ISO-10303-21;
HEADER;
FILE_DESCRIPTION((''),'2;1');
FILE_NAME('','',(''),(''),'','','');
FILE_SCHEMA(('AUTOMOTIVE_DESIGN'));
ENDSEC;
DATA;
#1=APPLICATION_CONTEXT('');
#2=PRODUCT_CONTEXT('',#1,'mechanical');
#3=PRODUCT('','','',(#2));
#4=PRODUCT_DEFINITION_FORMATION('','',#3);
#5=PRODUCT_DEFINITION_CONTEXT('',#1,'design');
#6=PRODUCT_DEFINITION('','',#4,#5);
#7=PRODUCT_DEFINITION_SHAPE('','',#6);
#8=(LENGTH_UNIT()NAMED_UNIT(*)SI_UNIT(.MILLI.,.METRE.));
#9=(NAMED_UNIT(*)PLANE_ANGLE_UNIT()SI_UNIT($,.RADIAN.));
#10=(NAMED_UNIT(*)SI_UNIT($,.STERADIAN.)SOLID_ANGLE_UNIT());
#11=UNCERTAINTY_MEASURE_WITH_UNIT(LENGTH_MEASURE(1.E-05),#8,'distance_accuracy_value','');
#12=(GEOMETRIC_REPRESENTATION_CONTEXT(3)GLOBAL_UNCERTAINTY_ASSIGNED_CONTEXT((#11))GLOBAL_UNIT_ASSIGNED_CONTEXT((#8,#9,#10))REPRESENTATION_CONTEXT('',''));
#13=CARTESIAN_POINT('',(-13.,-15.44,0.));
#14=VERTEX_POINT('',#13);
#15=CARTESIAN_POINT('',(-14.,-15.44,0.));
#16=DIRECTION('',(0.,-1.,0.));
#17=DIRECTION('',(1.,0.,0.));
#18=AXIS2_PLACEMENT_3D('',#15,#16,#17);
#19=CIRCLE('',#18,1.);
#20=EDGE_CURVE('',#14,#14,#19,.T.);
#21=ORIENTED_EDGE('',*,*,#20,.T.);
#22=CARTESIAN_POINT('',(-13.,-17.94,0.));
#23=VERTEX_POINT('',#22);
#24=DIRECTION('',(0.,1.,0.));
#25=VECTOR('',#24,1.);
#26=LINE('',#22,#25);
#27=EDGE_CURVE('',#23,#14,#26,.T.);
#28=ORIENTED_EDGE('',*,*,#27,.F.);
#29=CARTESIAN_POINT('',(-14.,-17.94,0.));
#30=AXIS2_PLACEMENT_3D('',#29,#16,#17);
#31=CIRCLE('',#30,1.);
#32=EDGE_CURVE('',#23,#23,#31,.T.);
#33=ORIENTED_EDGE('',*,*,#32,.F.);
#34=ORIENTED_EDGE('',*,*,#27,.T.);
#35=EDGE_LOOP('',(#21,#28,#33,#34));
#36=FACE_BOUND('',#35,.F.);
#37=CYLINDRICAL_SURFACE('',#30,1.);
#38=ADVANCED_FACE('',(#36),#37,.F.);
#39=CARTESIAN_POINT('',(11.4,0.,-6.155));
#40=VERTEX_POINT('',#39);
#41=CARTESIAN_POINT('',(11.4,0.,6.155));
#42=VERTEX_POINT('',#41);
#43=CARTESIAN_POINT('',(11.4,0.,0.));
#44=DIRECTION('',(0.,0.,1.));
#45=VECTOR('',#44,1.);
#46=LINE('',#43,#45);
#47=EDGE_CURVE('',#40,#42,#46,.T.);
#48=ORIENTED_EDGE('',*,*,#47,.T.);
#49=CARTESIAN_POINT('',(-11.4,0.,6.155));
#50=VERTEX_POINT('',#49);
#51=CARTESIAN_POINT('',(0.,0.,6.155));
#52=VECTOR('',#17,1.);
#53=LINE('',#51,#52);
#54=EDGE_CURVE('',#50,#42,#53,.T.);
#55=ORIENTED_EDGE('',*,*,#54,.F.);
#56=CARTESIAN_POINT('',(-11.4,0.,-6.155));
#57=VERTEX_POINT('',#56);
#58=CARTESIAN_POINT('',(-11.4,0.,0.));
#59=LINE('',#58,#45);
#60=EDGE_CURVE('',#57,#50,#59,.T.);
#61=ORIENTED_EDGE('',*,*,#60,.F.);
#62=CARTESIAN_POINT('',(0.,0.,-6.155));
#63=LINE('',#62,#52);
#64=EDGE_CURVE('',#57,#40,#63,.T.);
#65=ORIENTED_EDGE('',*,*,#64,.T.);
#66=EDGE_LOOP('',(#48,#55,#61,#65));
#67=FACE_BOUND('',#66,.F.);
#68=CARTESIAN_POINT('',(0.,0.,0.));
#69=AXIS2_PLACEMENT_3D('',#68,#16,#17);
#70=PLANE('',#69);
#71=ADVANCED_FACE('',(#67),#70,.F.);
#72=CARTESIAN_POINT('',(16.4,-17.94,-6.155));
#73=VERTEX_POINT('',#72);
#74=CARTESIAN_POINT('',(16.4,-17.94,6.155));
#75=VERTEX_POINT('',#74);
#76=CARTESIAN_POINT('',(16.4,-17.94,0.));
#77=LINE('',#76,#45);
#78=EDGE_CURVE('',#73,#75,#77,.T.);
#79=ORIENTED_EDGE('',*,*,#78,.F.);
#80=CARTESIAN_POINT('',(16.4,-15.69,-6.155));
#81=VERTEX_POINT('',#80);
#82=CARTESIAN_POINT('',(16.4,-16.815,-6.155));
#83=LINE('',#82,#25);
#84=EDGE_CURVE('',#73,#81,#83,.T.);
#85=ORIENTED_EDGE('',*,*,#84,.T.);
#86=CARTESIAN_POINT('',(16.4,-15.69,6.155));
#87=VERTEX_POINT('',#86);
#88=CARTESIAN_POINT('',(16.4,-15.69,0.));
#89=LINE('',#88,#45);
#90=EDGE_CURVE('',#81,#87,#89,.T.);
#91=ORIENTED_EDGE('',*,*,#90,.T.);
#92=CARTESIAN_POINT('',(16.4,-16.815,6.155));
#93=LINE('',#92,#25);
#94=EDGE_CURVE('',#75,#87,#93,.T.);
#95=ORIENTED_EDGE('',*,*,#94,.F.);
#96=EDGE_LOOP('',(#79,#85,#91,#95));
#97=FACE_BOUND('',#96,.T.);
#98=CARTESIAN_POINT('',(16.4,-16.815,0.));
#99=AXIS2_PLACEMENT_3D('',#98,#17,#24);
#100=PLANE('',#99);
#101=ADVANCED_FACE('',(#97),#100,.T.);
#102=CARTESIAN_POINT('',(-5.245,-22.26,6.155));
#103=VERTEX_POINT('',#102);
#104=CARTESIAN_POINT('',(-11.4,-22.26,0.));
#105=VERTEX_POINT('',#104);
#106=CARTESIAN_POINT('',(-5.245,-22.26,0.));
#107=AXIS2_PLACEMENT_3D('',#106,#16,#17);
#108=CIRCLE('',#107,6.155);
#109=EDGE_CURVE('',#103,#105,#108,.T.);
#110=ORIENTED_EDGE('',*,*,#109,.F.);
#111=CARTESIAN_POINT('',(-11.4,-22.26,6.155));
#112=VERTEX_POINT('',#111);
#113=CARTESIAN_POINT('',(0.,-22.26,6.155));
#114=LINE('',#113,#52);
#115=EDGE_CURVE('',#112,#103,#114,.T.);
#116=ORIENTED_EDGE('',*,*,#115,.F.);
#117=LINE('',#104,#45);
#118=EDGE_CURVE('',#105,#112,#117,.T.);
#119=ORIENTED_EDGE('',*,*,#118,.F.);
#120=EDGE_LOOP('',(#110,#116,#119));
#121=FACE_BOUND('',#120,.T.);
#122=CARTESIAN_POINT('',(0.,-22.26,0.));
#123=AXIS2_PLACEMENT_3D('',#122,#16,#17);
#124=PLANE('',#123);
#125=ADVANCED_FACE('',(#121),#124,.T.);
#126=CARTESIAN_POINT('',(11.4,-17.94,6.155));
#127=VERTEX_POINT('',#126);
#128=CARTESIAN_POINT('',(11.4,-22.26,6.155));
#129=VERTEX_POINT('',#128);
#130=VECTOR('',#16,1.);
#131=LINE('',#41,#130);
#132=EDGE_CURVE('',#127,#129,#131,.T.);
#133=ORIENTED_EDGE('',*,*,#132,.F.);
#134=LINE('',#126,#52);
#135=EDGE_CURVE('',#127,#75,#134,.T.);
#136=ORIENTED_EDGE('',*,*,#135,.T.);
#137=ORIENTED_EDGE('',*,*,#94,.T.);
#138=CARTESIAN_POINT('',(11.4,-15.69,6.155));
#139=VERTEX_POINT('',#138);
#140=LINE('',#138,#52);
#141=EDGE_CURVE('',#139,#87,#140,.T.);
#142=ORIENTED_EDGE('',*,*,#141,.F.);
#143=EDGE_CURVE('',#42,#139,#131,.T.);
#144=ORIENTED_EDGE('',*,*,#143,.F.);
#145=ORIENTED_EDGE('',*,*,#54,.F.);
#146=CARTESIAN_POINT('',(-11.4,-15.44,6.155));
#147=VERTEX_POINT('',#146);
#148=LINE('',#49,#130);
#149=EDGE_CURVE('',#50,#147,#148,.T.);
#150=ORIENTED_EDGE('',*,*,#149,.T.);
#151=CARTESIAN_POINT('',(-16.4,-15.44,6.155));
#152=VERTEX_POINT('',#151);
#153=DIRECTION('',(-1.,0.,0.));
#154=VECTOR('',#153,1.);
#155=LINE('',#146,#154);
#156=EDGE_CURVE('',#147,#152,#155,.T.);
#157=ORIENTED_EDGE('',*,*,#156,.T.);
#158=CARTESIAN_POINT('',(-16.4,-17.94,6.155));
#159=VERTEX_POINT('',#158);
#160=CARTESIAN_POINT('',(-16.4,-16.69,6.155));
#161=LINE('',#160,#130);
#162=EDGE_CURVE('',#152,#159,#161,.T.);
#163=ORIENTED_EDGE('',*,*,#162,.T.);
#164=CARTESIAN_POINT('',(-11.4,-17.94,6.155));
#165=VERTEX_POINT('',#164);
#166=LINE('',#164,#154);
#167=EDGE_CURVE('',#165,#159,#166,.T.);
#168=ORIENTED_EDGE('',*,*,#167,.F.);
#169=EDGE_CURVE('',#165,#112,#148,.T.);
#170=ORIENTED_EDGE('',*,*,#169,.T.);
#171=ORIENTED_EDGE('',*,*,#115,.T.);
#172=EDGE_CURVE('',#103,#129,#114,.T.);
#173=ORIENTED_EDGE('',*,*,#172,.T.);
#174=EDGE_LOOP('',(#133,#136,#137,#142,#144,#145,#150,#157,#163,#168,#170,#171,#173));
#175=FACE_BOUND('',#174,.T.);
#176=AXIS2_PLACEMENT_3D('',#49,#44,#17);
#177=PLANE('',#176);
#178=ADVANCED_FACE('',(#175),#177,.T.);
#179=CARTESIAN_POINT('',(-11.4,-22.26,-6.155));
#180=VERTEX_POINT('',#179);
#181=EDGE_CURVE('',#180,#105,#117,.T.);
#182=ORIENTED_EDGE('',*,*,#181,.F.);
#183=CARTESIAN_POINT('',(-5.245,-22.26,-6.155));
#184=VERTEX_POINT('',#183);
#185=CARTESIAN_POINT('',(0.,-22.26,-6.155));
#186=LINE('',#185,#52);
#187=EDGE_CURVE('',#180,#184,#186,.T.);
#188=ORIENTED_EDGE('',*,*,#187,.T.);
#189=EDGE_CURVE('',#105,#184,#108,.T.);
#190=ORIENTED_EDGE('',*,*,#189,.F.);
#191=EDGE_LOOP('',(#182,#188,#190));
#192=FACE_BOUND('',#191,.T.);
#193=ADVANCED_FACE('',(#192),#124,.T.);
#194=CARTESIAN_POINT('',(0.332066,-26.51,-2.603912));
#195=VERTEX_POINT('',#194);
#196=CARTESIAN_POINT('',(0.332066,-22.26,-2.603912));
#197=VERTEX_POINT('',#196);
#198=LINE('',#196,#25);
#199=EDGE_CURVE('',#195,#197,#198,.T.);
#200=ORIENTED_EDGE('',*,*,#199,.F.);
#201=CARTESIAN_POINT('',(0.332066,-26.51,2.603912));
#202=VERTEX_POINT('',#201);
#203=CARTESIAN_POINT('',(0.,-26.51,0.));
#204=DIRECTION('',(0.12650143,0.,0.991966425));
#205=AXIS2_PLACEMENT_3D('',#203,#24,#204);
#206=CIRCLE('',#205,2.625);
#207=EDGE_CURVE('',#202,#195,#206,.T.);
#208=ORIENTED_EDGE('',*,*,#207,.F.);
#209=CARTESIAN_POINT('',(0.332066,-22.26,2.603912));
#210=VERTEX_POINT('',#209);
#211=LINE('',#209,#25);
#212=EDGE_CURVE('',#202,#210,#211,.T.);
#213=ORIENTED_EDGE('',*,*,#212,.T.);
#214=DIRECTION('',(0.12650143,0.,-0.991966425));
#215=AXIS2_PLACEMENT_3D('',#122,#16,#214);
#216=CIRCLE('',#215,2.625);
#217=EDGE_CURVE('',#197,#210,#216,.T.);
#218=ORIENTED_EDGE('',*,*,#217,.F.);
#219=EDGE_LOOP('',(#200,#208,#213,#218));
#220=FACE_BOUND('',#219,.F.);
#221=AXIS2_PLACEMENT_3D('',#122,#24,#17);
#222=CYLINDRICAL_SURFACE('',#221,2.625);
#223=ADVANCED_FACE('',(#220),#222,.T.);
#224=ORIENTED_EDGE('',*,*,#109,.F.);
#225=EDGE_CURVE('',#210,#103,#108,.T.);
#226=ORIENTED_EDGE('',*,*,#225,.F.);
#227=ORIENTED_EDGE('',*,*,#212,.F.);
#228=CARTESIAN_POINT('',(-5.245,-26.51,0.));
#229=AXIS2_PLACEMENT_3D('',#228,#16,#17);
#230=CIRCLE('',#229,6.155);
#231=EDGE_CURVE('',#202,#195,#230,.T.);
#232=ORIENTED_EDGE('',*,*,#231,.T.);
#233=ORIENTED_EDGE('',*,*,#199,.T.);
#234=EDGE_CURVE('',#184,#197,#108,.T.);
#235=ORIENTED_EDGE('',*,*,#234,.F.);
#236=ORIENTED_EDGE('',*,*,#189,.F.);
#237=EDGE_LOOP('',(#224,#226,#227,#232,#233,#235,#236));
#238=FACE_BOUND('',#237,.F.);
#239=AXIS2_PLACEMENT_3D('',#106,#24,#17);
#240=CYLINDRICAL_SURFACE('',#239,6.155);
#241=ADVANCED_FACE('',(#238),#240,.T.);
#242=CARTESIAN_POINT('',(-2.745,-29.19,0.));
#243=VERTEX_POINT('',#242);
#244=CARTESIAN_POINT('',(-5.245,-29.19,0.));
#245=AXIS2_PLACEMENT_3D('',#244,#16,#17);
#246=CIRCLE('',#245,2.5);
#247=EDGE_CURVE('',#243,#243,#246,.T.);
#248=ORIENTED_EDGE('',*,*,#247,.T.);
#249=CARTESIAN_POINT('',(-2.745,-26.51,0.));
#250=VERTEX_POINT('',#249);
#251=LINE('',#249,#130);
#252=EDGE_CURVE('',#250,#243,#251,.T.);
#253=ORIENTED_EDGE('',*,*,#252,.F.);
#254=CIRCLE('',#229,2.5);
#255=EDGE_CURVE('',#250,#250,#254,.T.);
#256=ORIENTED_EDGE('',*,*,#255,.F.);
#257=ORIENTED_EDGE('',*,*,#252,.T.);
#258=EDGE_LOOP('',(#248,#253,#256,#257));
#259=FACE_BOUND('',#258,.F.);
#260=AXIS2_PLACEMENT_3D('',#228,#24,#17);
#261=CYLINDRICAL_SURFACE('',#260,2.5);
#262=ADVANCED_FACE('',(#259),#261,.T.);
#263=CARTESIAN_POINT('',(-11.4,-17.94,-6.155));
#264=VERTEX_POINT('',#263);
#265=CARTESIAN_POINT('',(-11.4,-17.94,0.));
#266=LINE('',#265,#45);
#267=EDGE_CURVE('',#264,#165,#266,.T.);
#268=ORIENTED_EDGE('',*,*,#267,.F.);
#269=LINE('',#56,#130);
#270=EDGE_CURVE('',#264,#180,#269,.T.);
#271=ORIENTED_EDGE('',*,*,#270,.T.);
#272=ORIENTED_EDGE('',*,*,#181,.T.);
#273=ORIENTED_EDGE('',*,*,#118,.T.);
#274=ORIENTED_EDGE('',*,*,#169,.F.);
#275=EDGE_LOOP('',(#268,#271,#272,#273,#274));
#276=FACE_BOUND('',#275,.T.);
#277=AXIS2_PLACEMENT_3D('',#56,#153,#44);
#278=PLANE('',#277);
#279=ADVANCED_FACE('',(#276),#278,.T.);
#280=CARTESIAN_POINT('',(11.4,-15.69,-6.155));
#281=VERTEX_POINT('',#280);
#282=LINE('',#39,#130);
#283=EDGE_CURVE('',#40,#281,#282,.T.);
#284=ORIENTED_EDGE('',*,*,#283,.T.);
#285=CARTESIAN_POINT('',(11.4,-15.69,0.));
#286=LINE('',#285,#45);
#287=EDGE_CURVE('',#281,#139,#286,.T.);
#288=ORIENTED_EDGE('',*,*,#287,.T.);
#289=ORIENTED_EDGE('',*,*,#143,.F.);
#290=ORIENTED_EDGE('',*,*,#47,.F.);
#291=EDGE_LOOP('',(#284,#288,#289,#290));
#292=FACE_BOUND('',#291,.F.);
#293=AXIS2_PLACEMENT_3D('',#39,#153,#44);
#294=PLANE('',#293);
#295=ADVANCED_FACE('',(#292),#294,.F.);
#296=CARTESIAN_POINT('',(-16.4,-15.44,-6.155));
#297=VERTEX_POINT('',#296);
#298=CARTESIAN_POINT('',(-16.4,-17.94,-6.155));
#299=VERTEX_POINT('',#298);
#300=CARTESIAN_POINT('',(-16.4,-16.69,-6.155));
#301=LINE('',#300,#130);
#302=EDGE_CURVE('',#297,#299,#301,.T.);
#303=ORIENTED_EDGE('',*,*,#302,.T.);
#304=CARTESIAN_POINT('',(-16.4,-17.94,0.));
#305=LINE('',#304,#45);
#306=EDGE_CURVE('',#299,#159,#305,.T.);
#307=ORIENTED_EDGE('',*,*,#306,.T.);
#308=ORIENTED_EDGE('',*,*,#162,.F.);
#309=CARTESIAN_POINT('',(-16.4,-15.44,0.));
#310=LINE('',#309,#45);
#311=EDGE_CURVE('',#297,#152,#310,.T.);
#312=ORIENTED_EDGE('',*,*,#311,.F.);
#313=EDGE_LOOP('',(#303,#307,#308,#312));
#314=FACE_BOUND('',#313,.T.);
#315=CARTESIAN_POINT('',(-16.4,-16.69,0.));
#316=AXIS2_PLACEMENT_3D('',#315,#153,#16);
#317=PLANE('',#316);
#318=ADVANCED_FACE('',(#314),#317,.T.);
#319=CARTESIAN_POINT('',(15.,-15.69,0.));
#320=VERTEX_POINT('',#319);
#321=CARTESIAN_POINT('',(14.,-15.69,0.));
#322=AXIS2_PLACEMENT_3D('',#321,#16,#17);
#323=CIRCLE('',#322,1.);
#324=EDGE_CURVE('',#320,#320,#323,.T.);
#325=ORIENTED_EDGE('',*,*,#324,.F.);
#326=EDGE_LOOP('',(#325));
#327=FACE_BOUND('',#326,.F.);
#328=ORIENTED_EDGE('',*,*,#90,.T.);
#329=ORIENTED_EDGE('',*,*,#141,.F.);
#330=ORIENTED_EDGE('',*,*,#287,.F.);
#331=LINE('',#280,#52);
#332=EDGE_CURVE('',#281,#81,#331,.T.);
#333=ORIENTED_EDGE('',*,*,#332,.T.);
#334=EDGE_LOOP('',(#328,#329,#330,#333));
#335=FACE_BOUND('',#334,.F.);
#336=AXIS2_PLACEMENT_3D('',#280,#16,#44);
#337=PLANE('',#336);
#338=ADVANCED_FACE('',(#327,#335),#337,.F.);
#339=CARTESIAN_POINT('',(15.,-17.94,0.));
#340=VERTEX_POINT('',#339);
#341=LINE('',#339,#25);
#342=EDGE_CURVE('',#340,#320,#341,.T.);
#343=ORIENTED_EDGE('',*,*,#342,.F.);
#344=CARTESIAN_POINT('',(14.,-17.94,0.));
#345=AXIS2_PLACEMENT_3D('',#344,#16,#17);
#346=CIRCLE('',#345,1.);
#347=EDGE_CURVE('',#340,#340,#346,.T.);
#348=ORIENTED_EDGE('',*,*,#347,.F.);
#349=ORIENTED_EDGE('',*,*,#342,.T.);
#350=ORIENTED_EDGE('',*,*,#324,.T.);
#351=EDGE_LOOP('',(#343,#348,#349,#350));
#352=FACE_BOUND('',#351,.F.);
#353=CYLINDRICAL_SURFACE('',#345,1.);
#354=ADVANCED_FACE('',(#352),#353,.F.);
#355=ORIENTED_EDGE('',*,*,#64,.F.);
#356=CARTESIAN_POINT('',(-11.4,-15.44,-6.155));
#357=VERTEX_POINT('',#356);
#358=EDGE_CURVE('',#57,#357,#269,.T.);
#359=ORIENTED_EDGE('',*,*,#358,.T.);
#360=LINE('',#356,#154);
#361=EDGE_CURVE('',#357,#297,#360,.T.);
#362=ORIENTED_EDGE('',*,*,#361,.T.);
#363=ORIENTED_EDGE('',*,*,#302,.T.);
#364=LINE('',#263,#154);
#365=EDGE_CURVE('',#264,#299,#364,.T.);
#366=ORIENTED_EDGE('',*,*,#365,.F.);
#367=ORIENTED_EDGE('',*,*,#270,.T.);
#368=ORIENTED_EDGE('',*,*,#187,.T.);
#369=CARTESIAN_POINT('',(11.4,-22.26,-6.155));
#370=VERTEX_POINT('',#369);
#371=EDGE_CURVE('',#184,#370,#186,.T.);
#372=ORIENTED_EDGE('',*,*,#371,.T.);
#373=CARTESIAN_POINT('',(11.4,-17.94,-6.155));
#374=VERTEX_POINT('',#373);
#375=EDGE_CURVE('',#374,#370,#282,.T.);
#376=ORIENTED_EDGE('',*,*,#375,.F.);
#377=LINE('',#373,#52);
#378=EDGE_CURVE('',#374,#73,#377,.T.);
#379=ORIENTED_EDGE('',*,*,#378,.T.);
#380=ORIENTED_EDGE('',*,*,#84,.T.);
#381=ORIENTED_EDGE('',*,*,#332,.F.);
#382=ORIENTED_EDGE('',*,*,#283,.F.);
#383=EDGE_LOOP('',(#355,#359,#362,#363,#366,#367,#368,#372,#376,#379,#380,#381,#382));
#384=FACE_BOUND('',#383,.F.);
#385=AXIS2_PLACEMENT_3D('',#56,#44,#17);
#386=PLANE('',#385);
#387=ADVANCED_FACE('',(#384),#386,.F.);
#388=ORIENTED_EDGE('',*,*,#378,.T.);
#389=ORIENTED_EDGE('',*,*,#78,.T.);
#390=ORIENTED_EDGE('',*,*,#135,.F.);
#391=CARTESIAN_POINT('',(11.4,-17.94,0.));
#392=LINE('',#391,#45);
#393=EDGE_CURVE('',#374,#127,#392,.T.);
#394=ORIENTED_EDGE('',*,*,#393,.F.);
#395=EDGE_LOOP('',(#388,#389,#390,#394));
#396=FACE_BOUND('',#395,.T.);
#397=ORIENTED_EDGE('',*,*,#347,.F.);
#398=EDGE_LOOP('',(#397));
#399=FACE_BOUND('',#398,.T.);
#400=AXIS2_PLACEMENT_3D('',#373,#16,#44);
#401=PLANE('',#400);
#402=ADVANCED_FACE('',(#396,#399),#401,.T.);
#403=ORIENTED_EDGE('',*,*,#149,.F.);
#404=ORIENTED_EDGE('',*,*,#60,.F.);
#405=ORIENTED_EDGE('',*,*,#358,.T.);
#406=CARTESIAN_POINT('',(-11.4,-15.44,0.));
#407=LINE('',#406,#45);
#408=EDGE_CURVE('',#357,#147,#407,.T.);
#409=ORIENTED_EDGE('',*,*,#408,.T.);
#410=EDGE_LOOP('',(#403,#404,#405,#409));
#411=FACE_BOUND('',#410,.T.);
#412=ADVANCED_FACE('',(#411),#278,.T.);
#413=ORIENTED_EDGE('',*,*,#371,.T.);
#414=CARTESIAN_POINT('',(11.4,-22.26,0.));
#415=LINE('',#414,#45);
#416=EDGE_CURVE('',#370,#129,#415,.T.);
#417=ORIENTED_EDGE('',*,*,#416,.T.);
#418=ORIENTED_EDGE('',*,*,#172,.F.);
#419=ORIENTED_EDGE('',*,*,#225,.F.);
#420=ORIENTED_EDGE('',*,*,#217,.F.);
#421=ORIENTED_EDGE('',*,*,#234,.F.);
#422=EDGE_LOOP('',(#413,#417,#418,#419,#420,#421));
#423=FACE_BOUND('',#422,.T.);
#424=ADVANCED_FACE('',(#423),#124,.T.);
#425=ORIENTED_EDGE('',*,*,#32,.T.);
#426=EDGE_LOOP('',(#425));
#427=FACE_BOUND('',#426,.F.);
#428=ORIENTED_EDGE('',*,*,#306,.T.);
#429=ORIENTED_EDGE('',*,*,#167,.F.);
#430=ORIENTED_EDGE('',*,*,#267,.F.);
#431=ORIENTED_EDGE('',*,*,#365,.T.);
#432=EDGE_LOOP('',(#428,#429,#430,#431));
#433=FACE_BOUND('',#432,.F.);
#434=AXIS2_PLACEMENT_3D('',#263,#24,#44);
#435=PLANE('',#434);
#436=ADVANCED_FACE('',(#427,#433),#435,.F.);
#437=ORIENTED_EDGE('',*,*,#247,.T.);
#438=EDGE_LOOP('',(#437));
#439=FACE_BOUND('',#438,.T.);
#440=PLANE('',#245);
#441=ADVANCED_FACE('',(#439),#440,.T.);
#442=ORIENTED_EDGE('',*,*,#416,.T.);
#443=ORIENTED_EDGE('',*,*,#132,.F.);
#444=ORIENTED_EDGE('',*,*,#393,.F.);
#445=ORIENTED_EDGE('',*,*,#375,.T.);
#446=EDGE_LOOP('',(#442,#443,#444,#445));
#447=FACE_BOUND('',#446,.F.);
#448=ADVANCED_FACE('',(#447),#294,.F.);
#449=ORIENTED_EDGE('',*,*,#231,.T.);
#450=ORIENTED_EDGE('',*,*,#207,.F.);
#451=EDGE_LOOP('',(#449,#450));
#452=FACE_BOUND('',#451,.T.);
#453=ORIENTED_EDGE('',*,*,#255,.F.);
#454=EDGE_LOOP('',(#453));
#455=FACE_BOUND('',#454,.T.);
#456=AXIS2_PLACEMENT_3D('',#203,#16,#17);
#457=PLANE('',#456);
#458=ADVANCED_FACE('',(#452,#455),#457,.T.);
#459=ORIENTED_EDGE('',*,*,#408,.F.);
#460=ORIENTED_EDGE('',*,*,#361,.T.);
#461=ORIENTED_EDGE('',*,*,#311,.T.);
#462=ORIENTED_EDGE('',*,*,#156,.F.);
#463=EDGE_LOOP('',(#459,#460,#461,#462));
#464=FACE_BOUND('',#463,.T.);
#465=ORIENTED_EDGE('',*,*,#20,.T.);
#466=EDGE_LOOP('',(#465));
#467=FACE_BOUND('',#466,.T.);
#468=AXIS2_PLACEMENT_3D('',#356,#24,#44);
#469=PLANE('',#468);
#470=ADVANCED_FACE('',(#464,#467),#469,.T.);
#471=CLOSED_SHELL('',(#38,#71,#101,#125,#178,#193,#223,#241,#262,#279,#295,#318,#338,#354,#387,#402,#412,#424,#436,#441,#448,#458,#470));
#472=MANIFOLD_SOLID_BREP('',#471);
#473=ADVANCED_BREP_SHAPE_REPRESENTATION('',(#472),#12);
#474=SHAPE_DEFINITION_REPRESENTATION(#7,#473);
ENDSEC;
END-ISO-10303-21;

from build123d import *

# Parameters (mm, degrees)
F0_W      = 22.8
F0_H      = 12.31
F1_DEPTH  = 22.26
F2_R      = 6.155
F3_DEPTH  = 4.25
F4_R      = 2.625
F5_DEPTH  = 4.25
F6_W      = 2.5
F6_H      = 12.31
F7_DEPTH  = 5
F8_W      = 2.25
F8_H      = 12.31
F9_DEPTH  = 5
F10_R     = 2.5
F11_DEPTH = 2.68
F12_R     = 1
F13_DEPTH = 25


with BuildPart() as f1:
    # F0 (on Front) → F1 (new body)
    with BuildSketch(Plane.XZ):
        Rectangle(F0_W, F0_H)
    extrude(amount=F1_DEPTH)

    # F2 (on face) → F3 (join)
    with BuildSketch(Plane.XZ.offset(22.26)):
        with Locations((-5.245, 0)):
            Circle(F2_R)
    extrude(amount=F3_DEPTH)

    # F4 (on face) → F5 (join)
    with BuildSketch(Plane.XZ.offset(22.26)):
        Circle(F4_R)
    extrude(amount=F5_DEPTH)

    # F6 (on face) → F7 (join)
    with BuildSketch(Plane(origin=(-11.4, 0, 0), x_dir=(0, -1, 0), z_dir=(-1, 0, 0))):
        with Locations((16.69, 0)):
            Rectangle(F6_W, F6_H)
    extrude(amount=F7_DEPTH)

    # F8 (on face) → F9 (join)
    with BuildSketch(Plane.YZ.offset(11.4)):
        with Locations((-16.815, 0)):
            Rectangle(F8_W, F8_H)
    extrude(amount=F9_DEPTH)

    # F10 (on face) → F11 (join)
    with BuildSketch(Plane.XZ.offset(26.51)):
        with Locations((-5.245, 0)):
            Circle(F10_R)
    extrude(amount=F11_DEPTH)

    # F12 (on face) → F13 (cut)
    with BuildSketch(Plane.XZ.offset(17.94)):
        with Locations((-14, 0)):
            Circle(F12_R)
        with Locations((14, 0)):
            Circle(F12_R)
    extrude(amount=-F13_DEPTH, mode=Mode.SUBTRACT)


solid = f1.part
